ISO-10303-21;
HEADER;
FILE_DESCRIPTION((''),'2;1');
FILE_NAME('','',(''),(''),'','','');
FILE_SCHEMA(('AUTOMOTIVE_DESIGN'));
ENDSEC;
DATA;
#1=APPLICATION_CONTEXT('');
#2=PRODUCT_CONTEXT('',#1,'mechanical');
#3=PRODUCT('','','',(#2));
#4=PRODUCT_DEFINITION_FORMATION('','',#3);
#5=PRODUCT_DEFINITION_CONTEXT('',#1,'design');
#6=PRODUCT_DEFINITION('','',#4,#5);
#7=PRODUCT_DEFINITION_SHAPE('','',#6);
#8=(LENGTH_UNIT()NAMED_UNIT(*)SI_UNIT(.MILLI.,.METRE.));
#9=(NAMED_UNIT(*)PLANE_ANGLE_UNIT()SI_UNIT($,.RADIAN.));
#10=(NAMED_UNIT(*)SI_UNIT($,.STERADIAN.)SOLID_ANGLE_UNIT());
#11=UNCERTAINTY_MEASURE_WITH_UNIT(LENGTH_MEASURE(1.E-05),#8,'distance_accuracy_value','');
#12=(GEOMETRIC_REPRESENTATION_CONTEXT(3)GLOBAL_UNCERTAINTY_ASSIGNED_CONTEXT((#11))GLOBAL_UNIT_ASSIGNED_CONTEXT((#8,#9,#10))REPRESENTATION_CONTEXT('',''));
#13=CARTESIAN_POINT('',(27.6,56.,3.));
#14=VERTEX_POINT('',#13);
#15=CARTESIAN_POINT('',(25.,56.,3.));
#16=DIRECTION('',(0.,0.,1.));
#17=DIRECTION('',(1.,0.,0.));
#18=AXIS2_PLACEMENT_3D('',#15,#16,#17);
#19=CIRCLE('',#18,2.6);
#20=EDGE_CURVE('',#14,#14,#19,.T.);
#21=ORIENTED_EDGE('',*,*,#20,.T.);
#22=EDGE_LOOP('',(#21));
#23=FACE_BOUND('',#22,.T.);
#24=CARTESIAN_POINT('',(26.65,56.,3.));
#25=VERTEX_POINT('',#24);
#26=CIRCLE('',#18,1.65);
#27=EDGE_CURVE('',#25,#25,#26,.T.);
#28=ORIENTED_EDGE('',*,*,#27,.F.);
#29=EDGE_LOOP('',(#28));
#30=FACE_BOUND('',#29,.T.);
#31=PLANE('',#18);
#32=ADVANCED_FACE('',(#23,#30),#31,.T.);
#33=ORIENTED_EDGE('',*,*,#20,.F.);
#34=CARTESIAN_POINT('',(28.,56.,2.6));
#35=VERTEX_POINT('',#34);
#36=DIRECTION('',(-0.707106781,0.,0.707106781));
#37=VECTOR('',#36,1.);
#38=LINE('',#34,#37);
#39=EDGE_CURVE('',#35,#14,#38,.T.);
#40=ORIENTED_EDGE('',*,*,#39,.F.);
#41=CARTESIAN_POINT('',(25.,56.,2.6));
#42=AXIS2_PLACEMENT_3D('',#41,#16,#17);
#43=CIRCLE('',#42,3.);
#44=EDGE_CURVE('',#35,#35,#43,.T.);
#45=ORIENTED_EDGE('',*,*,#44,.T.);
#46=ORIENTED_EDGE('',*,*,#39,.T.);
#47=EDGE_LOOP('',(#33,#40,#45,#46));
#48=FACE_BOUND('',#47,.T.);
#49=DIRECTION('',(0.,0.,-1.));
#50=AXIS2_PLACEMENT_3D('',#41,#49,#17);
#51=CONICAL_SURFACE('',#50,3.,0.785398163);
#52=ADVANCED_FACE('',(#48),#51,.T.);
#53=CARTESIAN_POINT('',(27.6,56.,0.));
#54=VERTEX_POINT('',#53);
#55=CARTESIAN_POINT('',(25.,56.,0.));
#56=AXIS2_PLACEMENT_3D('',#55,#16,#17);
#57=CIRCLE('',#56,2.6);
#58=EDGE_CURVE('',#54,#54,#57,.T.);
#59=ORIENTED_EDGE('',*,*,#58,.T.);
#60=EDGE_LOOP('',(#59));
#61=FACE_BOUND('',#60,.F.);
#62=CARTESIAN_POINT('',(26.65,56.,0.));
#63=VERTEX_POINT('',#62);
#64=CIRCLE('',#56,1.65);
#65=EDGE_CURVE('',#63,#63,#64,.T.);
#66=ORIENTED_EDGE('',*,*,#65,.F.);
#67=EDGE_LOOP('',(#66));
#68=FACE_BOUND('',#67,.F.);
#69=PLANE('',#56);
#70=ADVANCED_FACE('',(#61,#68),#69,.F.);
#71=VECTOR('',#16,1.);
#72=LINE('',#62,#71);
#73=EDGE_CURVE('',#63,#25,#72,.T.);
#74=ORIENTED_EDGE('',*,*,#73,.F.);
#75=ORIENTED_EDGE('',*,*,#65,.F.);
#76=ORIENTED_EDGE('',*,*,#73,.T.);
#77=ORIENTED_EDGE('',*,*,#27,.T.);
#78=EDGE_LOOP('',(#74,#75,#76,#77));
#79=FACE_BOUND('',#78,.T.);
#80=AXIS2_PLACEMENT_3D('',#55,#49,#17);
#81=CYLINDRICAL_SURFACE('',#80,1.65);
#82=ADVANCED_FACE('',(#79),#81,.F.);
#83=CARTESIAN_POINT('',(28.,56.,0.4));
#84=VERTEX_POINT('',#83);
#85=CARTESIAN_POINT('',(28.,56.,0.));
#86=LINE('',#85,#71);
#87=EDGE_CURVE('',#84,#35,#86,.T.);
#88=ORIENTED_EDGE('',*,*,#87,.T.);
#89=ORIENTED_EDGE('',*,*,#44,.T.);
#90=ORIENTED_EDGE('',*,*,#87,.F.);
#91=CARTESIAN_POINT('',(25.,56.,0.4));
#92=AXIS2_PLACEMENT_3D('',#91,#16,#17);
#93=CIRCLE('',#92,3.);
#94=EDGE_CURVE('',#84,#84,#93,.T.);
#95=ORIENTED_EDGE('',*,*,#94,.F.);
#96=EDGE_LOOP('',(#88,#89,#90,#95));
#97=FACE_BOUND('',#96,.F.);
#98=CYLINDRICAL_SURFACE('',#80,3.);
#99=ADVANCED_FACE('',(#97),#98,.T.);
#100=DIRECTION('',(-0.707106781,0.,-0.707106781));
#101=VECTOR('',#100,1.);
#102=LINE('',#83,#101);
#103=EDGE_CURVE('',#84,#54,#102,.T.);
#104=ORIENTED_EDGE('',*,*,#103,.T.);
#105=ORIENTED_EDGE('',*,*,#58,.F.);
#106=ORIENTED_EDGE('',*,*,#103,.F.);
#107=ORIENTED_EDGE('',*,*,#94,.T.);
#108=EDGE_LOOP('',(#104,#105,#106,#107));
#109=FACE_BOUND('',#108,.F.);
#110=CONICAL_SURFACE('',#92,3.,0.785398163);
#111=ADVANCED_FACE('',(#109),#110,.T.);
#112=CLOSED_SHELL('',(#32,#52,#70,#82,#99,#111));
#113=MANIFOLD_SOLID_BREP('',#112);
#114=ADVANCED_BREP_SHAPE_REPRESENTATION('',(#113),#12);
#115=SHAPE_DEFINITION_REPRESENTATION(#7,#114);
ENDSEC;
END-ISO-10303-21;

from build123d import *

# Parameters (mm, degrees)
CYLINDER020_R      = 1.65
CYLINDER020_DEPTH  = 3
CYLINDER019_R      = 3
CYLINDER019_DEPTH  = 3
CHAMFER005015_SIZE = 0.4


with BuildPart() as cylinder020:
    # Cylinder020 → Cylinder020 (new body)
    with BuildSketch(Plane.XY):
        Circle(CYLINDER020_R)
    extrude(amount=CYLINDER020_DEPTH)


with BuildPart() as f_3mm_spacer:
    # Cylinder019 → Cylinder019 (new body)
    with BuildSketch(Plane.XY):
        Circle(CYLINDER019_R)
    extrude(amount=CYLINDER019_DEPTH)

    # Cut012: cut Cylinder020
    add(cylinder020.part, mode=Mode.SUBTRACT)

    # Chamfer005015
    chamfer005015_edges = [f_3mm_spacer.edges().sort_by_distance(p)[0] for p in [
        (-3, 0, 3),
        (-3, 0, 0),
    ]]
    chamfer(chamfer005015_edges, length=CHAMFER005015_SIZE)


with BuildPart() as f_3mm_spacer_1:
    # Chamfer005015 placement: moved
    add(f_3mm_spacer.part.moved(Location((25, 56, 0))))


solid = f_3mm_spacer_1.part
